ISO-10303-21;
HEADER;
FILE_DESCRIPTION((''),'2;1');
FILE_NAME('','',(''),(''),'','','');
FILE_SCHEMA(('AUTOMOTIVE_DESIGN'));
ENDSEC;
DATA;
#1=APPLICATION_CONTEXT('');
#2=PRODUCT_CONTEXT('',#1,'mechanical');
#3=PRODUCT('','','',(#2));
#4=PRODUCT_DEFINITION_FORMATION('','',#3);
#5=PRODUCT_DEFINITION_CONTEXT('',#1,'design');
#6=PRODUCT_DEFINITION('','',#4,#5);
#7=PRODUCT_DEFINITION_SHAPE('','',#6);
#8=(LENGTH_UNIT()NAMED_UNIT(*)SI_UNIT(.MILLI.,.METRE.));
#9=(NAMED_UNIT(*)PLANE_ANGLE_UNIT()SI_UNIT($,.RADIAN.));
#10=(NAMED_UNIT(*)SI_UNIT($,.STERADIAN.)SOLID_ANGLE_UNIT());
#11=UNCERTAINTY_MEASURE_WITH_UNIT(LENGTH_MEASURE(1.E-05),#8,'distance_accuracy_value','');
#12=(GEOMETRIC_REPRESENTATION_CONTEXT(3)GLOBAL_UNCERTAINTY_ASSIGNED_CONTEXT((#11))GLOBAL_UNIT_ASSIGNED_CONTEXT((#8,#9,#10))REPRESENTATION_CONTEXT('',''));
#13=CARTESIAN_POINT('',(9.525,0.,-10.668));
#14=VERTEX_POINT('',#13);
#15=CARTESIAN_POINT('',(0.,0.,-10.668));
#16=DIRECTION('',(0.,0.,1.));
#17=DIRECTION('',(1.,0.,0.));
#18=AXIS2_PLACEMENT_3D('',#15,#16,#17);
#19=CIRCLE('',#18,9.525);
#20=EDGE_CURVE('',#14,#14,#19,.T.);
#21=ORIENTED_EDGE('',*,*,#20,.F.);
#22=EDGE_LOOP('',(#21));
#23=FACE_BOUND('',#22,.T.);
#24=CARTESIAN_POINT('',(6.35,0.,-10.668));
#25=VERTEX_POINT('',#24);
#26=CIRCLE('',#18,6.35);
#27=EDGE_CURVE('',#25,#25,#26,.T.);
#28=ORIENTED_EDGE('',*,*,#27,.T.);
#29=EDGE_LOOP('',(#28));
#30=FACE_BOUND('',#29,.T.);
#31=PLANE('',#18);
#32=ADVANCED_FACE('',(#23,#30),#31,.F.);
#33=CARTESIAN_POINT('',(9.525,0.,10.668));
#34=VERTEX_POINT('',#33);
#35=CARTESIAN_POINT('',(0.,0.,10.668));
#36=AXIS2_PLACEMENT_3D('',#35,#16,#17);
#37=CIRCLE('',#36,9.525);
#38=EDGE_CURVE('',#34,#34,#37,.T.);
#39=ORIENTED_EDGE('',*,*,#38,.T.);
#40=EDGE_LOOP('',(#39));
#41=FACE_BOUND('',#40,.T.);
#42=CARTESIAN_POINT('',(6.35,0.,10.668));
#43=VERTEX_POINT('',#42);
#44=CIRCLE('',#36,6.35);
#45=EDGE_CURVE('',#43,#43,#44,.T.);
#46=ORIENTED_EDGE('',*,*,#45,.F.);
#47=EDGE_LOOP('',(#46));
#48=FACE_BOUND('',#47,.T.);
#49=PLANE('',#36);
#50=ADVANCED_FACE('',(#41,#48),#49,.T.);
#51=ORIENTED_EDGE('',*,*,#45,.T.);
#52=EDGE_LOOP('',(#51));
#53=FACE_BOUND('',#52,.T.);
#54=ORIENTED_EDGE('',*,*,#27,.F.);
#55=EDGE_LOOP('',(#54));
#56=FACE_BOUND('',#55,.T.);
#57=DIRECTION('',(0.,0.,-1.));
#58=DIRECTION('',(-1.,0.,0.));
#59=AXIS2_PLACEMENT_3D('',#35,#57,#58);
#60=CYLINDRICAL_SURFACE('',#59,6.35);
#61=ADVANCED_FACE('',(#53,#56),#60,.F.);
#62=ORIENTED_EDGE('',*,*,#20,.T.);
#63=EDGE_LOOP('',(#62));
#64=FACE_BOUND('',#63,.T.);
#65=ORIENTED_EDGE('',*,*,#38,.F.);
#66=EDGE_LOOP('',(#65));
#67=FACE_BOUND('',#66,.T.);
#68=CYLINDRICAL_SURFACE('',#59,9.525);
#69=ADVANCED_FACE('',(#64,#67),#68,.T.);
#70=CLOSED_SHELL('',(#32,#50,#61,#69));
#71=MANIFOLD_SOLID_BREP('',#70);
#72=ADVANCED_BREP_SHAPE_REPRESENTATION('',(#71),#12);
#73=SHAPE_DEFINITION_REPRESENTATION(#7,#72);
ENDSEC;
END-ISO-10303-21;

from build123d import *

# Parameters (mm, degrees)
SKETCH1_R           = 9.525
SKETCH1_R_2         = 6.35
BOSS_EXTRUDE1_DEPTH = 10.668


with BuildPart() as part:
    # Sketch1 → Boss-Extrude1 (new, symmetric)
    with BuildSketch(Plane.XY):
        Circle(SKETCH1_R)
        Circle(SKETCH1_R_2, mode=Mode.SUBTRACT)
    extrude(amount=BOSS_EXTRUDE1_DEPTH, both=True)


solid = part.part
